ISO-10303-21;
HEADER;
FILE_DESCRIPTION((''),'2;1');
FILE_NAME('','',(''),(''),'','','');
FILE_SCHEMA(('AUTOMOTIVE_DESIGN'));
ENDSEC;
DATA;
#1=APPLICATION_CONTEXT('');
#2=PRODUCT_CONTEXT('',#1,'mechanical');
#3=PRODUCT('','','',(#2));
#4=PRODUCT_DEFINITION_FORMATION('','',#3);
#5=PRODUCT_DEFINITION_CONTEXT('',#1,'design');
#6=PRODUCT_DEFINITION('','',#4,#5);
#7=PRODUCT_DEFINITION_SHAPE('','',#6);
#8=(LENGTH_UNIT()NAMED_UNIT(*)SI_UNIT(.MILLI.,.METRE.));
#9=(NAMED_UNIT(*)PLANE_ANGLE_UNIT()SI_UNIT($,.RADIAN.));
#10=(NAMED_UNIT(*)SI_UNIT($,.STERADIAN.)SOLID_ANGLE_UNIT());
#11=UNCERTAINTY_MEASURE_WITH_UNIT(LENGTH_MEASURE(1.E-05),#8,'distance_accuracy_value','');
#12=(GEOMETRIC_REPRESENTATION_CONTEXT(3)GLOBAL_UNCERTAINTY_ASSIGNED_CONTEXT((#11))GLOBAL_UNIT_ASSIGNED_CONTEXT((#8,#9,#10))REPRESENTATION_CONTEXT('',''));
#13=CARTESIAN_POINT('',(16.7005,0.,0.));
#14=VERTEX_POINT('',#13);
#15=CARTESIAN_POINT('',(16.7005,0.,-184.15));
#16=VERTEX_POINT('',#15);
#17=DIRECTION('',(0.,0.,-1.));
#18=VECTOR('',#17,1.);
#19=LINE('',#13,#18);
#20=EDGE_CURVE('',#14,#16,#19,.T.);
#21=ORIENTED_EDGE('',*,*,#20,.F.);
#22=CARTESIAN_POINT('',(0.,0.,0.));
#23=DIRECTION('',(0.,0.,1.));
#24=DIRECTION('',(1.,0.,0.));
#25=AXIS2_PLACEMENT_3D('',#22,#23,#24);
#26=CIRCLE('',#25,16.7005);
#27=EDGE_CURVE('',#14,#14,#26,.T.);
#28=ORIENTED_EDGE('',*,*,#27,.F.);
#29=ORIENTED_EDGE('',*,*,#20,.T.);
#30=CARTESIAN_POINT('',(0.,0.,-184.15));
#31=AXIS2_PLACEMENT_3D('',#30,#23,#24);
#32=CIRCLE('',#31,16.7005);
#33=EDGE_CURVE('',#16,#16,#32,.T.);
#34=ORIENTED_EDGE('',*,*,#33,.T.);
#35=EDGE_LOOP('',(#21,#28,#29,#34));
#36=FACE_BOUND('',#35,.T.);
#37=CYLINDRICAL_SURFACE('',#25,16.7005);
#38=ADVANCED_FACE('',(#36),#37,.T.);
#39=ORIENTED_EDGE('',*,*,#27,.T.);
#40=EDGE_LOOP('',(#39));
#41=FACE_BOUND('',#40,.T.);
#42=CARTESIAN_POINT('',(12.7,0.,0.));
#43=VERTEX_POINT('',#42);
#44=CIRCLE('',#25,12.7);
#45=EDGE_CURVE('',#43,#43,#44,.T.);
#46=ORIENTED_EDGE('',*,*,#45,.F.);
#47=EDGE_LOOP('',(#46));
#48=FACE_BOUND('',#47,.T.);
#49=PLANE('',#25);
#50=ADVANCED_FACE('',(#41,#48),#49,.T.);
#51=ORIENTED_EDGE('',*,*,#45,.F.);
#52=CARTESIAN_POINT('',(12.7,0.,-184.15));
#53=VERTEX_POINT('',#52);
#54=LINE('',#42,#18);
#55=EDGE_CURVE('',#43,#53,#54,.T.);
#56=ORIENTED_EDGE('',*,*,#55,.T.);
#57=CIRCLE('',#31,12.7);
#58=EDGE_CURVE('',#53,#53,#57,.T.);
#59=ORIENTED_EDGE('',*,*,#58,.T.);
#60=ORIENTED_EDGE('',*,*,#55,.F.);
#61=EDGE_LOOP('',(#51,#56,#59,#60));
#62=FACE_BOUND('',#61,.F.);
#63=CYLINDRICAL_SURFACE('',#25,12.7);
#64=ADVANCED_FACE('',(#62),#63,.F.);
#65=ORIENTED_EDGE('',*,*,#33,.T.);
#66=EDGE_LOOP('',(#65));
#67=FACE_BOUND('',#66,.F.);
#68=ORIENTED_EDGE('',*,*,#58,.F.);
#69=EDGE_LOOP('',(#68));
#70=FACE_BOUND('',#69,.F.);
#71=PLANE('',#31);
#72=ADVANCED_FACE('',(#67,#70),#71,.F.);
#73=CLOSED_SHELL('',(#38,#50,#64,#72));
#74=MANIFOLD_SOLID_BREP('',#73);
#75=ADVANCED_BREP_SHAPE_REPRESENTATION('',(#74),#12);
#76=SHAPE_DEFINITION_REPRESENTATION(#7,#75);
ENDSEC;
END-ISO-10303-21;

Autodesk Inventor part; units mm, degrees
ref_plane "YZ Plane" through (0, 0, 0) normal (1, 0, 0) x (0, 1, 0)
ref_plane "XZ Plane" through (0, 0, 0) normal (0, 1, 0) x (-1, 0, 0)
ref_plane "XY Plane" through (0, 0, 0) normal (0, 0, 1) x (1, 0, 0)
sketch "Sketch1" plane through (0, 0, 0) normal (0, 0, 1) x (1, 0, 0)
  circle A0 centre (0, 0) radius 16.7005
  circle A1 centre (0, 0) radius 12.7
  dimension "d0" = 33.401
  dimension "d1" = 25.4
extrude "Extrusion1" add sketch "Sketch1" against normal blind 184.15
properties part number "Pipe 6"
